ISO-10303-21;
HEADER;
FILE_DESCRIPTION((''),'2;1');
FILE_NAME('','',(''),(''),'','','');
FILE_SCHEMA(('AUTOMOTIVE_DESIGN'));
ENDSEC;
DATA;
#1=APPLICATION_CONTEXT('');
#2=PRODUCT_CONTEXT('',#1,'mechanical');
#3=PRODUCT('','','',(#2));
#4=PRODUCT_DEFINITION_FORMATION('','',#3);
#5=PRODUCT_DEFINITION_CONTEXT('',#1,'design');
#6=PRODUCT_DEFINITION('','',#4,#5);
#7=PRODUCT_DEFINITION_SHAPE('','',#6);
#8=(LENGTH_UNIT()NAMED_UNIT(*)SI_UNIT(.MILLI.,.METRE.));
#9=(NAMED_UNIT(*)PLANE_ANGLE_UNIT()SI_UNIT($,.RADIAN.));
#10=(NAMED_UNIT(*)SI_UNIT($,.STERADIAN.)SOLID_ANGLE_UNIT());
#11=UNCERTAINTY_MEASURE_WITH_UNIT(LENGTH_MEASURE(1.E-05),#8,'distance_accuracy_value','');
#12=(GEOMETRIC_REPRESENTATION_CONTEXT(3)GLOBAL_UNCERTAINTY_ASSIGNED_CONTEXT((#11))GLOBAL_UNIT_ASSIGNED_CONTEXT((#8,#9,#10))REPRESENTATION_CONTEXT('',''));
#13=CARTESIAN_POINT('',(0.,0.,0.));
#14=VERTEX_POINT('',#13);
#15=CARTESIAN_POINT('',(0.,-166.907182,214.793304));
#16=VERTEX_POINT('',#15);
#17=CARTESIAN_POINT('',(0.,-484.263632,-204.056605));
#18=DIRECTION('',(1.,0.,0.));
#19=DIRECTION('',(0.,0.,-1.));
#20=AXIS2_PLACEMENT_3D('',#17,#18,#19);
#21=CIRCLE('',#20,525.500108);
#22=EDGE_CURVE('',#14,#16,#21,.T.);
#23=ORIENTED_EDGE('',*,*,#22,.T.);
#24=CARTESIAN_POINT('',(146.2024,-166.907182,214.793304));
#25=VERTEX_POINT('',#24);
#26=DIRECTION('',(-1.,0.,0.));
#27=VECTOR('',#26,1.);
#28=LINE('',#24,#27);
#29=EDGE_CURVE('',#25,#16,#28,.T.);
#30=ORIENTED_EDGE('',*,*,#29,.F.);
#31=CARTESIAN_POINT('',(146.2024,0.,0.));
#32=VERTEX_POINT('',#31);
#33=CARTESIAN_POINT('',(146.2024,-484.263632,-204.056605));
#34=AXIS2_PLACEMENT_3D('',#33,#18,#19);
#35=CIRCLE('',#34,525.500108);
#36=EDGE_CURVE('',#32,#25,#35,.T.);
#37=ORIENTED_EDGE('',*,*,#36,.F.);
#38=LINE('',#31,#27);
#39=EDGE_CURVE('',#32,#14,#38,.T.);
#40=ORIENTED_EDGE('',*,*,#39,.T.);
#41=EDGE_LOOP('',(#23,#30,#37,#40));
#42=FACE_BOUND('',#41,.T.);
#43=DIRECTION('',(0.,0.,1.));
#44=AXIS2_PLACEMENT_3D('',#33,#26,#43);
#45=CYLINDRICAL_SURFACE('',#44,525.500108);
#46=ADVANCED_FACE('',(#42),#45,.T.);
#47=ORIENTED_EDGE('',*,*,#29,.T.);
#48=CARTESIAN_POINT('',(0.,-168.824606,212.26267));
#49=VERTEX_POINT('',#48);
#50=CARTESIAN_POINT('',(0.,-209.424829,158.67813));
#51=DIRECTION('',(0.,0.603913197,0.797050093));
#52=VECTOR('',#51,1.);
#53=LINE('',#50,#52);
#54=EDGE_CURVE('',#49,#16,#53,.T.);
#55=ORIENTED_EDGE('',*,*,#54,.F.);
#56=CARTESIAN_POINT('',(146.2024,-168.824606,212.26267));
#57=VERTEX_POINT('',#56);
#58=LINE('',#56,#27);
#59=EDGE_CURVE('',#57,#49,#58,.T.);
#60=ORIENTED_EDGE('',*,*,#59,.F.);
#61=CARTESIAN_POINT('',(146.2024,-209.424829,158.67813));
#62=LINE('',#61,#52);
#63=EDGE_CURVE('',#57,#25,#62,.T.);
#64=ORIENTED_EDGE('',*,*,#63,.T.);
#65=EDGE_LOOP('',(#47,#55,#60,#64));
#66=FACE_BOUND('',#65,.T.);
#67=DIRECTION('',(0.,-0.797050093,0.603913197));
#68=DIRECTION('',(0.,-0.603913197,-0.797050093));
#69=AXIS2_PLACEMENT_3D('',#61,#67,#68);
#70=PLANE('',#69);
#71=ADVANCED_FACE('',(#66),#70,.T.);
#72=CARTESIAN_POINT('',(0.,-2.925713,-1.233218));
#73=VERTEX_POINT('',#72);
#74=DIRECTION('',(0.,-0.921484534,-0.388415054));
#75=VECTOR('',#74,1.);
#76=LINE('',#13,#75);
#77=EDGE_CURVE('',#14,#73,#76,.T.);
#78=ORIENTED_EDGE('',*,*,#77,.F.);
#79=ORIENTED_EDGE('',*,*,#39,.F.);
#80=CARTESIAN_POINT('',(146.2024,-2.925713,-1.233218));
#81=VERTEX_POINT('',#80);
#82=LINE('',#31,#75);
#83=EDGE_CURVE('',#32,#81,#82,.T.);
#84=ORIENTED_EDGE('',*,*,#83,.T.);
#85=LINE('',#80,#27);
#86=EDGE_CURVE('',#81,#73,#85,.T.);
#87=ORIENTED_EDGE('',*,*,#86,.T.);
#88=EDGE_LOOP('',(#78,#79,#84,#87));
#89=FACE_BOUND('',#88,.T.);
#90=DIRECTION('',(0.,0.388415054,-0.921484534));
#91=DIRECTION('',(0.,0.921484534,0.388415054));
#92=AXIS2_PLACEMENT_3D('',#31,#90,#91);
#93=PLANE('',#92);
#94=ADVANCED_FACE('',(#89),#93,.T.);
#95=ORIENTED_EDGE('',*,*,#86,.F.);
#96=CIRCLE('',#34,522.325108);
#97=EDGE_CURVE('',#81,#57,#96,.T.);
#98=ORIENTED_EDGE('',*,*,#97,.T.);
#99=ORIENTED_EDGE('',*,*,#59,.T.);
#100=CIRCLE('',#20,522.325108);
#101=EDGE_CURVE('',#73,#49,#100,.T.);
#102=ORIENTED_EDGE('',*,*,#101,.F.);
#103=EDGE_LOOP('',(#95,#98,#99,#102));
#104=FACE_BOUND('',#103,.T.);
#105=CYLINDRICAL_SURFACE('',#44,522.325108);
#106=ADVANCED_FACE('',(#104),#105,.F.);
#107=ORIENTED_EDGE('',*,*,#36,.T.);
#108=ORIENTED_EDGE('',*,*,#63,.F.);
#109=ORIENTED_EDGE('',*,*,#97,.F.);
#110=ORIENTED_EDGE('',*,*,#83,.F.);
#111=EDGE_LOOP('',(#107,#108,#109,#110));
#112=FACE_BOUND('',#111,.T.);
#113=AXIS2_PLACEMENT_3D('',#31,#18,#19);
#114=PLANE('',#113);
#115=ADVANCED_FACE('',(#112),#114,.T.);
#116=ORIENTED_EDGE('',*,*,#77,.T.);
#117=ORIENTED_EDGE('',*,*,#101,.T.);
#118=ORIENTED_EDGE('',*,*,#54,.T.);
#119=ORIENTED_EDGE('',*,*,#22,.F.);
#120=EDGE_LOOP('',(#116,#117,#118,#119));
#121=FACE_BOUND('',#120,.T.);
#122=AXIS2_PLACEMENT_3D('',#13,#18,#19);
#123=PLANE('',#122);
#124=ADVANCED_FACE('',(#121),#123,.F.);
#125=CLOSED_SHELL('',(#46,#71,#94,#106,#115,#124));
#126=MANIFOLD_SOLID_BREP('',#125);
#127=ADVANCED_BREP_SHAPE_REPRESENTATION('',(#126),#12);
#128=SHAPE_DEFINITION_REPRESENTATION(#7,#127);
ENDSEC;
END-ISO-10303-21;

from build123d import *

# Parameters (mm, degrees)
BOSS_EXTRUDE1_DEPTH = 146.2024


with BuildPart() as part:
    # Sketch1 → Boss-Extrude1 (new body)
    with BuildSketch(Plane(origin=(0, 0, 0), x_dir=(0, 0, -1), z_dir=(1, 0, 0))):
        with BuildLine():
            Line((-213.527987278, -167.865893887), (-212.262670256, -168.824606088))
            ThreePointArc((-212.262670256, -168.824606088), (-116.43523539, -71.82151681), (1.233217804, -2.925713414))
            Line((1.233217804, -2.925713414), (0.616608902, -1.462856707))
            ThreePointArc((0.616608902, -1.462856707), (-117.409376916, -70.568039828), (-213.527987278, -167.865893887))
        make_face()
        with BuildLine():
            Line((-214.793304301, -166.907181687), (-213.527987278, -167.865893887))
            ThreePointArc((-213.527987278, -167.865893887), (-117.409376916, -70.568039828), (0.616608902, -1.462856707))
            Line((0.616608902, -1.462856707), (0, 0))
            ThreePointArc((0, 0), (-118.383518443, -69.314562846), (-214.793304301, -166.907181687))
        make_face()
    extrude(amount=BOSS_EXTRUDE1_DEPTH)


solid = part.part
